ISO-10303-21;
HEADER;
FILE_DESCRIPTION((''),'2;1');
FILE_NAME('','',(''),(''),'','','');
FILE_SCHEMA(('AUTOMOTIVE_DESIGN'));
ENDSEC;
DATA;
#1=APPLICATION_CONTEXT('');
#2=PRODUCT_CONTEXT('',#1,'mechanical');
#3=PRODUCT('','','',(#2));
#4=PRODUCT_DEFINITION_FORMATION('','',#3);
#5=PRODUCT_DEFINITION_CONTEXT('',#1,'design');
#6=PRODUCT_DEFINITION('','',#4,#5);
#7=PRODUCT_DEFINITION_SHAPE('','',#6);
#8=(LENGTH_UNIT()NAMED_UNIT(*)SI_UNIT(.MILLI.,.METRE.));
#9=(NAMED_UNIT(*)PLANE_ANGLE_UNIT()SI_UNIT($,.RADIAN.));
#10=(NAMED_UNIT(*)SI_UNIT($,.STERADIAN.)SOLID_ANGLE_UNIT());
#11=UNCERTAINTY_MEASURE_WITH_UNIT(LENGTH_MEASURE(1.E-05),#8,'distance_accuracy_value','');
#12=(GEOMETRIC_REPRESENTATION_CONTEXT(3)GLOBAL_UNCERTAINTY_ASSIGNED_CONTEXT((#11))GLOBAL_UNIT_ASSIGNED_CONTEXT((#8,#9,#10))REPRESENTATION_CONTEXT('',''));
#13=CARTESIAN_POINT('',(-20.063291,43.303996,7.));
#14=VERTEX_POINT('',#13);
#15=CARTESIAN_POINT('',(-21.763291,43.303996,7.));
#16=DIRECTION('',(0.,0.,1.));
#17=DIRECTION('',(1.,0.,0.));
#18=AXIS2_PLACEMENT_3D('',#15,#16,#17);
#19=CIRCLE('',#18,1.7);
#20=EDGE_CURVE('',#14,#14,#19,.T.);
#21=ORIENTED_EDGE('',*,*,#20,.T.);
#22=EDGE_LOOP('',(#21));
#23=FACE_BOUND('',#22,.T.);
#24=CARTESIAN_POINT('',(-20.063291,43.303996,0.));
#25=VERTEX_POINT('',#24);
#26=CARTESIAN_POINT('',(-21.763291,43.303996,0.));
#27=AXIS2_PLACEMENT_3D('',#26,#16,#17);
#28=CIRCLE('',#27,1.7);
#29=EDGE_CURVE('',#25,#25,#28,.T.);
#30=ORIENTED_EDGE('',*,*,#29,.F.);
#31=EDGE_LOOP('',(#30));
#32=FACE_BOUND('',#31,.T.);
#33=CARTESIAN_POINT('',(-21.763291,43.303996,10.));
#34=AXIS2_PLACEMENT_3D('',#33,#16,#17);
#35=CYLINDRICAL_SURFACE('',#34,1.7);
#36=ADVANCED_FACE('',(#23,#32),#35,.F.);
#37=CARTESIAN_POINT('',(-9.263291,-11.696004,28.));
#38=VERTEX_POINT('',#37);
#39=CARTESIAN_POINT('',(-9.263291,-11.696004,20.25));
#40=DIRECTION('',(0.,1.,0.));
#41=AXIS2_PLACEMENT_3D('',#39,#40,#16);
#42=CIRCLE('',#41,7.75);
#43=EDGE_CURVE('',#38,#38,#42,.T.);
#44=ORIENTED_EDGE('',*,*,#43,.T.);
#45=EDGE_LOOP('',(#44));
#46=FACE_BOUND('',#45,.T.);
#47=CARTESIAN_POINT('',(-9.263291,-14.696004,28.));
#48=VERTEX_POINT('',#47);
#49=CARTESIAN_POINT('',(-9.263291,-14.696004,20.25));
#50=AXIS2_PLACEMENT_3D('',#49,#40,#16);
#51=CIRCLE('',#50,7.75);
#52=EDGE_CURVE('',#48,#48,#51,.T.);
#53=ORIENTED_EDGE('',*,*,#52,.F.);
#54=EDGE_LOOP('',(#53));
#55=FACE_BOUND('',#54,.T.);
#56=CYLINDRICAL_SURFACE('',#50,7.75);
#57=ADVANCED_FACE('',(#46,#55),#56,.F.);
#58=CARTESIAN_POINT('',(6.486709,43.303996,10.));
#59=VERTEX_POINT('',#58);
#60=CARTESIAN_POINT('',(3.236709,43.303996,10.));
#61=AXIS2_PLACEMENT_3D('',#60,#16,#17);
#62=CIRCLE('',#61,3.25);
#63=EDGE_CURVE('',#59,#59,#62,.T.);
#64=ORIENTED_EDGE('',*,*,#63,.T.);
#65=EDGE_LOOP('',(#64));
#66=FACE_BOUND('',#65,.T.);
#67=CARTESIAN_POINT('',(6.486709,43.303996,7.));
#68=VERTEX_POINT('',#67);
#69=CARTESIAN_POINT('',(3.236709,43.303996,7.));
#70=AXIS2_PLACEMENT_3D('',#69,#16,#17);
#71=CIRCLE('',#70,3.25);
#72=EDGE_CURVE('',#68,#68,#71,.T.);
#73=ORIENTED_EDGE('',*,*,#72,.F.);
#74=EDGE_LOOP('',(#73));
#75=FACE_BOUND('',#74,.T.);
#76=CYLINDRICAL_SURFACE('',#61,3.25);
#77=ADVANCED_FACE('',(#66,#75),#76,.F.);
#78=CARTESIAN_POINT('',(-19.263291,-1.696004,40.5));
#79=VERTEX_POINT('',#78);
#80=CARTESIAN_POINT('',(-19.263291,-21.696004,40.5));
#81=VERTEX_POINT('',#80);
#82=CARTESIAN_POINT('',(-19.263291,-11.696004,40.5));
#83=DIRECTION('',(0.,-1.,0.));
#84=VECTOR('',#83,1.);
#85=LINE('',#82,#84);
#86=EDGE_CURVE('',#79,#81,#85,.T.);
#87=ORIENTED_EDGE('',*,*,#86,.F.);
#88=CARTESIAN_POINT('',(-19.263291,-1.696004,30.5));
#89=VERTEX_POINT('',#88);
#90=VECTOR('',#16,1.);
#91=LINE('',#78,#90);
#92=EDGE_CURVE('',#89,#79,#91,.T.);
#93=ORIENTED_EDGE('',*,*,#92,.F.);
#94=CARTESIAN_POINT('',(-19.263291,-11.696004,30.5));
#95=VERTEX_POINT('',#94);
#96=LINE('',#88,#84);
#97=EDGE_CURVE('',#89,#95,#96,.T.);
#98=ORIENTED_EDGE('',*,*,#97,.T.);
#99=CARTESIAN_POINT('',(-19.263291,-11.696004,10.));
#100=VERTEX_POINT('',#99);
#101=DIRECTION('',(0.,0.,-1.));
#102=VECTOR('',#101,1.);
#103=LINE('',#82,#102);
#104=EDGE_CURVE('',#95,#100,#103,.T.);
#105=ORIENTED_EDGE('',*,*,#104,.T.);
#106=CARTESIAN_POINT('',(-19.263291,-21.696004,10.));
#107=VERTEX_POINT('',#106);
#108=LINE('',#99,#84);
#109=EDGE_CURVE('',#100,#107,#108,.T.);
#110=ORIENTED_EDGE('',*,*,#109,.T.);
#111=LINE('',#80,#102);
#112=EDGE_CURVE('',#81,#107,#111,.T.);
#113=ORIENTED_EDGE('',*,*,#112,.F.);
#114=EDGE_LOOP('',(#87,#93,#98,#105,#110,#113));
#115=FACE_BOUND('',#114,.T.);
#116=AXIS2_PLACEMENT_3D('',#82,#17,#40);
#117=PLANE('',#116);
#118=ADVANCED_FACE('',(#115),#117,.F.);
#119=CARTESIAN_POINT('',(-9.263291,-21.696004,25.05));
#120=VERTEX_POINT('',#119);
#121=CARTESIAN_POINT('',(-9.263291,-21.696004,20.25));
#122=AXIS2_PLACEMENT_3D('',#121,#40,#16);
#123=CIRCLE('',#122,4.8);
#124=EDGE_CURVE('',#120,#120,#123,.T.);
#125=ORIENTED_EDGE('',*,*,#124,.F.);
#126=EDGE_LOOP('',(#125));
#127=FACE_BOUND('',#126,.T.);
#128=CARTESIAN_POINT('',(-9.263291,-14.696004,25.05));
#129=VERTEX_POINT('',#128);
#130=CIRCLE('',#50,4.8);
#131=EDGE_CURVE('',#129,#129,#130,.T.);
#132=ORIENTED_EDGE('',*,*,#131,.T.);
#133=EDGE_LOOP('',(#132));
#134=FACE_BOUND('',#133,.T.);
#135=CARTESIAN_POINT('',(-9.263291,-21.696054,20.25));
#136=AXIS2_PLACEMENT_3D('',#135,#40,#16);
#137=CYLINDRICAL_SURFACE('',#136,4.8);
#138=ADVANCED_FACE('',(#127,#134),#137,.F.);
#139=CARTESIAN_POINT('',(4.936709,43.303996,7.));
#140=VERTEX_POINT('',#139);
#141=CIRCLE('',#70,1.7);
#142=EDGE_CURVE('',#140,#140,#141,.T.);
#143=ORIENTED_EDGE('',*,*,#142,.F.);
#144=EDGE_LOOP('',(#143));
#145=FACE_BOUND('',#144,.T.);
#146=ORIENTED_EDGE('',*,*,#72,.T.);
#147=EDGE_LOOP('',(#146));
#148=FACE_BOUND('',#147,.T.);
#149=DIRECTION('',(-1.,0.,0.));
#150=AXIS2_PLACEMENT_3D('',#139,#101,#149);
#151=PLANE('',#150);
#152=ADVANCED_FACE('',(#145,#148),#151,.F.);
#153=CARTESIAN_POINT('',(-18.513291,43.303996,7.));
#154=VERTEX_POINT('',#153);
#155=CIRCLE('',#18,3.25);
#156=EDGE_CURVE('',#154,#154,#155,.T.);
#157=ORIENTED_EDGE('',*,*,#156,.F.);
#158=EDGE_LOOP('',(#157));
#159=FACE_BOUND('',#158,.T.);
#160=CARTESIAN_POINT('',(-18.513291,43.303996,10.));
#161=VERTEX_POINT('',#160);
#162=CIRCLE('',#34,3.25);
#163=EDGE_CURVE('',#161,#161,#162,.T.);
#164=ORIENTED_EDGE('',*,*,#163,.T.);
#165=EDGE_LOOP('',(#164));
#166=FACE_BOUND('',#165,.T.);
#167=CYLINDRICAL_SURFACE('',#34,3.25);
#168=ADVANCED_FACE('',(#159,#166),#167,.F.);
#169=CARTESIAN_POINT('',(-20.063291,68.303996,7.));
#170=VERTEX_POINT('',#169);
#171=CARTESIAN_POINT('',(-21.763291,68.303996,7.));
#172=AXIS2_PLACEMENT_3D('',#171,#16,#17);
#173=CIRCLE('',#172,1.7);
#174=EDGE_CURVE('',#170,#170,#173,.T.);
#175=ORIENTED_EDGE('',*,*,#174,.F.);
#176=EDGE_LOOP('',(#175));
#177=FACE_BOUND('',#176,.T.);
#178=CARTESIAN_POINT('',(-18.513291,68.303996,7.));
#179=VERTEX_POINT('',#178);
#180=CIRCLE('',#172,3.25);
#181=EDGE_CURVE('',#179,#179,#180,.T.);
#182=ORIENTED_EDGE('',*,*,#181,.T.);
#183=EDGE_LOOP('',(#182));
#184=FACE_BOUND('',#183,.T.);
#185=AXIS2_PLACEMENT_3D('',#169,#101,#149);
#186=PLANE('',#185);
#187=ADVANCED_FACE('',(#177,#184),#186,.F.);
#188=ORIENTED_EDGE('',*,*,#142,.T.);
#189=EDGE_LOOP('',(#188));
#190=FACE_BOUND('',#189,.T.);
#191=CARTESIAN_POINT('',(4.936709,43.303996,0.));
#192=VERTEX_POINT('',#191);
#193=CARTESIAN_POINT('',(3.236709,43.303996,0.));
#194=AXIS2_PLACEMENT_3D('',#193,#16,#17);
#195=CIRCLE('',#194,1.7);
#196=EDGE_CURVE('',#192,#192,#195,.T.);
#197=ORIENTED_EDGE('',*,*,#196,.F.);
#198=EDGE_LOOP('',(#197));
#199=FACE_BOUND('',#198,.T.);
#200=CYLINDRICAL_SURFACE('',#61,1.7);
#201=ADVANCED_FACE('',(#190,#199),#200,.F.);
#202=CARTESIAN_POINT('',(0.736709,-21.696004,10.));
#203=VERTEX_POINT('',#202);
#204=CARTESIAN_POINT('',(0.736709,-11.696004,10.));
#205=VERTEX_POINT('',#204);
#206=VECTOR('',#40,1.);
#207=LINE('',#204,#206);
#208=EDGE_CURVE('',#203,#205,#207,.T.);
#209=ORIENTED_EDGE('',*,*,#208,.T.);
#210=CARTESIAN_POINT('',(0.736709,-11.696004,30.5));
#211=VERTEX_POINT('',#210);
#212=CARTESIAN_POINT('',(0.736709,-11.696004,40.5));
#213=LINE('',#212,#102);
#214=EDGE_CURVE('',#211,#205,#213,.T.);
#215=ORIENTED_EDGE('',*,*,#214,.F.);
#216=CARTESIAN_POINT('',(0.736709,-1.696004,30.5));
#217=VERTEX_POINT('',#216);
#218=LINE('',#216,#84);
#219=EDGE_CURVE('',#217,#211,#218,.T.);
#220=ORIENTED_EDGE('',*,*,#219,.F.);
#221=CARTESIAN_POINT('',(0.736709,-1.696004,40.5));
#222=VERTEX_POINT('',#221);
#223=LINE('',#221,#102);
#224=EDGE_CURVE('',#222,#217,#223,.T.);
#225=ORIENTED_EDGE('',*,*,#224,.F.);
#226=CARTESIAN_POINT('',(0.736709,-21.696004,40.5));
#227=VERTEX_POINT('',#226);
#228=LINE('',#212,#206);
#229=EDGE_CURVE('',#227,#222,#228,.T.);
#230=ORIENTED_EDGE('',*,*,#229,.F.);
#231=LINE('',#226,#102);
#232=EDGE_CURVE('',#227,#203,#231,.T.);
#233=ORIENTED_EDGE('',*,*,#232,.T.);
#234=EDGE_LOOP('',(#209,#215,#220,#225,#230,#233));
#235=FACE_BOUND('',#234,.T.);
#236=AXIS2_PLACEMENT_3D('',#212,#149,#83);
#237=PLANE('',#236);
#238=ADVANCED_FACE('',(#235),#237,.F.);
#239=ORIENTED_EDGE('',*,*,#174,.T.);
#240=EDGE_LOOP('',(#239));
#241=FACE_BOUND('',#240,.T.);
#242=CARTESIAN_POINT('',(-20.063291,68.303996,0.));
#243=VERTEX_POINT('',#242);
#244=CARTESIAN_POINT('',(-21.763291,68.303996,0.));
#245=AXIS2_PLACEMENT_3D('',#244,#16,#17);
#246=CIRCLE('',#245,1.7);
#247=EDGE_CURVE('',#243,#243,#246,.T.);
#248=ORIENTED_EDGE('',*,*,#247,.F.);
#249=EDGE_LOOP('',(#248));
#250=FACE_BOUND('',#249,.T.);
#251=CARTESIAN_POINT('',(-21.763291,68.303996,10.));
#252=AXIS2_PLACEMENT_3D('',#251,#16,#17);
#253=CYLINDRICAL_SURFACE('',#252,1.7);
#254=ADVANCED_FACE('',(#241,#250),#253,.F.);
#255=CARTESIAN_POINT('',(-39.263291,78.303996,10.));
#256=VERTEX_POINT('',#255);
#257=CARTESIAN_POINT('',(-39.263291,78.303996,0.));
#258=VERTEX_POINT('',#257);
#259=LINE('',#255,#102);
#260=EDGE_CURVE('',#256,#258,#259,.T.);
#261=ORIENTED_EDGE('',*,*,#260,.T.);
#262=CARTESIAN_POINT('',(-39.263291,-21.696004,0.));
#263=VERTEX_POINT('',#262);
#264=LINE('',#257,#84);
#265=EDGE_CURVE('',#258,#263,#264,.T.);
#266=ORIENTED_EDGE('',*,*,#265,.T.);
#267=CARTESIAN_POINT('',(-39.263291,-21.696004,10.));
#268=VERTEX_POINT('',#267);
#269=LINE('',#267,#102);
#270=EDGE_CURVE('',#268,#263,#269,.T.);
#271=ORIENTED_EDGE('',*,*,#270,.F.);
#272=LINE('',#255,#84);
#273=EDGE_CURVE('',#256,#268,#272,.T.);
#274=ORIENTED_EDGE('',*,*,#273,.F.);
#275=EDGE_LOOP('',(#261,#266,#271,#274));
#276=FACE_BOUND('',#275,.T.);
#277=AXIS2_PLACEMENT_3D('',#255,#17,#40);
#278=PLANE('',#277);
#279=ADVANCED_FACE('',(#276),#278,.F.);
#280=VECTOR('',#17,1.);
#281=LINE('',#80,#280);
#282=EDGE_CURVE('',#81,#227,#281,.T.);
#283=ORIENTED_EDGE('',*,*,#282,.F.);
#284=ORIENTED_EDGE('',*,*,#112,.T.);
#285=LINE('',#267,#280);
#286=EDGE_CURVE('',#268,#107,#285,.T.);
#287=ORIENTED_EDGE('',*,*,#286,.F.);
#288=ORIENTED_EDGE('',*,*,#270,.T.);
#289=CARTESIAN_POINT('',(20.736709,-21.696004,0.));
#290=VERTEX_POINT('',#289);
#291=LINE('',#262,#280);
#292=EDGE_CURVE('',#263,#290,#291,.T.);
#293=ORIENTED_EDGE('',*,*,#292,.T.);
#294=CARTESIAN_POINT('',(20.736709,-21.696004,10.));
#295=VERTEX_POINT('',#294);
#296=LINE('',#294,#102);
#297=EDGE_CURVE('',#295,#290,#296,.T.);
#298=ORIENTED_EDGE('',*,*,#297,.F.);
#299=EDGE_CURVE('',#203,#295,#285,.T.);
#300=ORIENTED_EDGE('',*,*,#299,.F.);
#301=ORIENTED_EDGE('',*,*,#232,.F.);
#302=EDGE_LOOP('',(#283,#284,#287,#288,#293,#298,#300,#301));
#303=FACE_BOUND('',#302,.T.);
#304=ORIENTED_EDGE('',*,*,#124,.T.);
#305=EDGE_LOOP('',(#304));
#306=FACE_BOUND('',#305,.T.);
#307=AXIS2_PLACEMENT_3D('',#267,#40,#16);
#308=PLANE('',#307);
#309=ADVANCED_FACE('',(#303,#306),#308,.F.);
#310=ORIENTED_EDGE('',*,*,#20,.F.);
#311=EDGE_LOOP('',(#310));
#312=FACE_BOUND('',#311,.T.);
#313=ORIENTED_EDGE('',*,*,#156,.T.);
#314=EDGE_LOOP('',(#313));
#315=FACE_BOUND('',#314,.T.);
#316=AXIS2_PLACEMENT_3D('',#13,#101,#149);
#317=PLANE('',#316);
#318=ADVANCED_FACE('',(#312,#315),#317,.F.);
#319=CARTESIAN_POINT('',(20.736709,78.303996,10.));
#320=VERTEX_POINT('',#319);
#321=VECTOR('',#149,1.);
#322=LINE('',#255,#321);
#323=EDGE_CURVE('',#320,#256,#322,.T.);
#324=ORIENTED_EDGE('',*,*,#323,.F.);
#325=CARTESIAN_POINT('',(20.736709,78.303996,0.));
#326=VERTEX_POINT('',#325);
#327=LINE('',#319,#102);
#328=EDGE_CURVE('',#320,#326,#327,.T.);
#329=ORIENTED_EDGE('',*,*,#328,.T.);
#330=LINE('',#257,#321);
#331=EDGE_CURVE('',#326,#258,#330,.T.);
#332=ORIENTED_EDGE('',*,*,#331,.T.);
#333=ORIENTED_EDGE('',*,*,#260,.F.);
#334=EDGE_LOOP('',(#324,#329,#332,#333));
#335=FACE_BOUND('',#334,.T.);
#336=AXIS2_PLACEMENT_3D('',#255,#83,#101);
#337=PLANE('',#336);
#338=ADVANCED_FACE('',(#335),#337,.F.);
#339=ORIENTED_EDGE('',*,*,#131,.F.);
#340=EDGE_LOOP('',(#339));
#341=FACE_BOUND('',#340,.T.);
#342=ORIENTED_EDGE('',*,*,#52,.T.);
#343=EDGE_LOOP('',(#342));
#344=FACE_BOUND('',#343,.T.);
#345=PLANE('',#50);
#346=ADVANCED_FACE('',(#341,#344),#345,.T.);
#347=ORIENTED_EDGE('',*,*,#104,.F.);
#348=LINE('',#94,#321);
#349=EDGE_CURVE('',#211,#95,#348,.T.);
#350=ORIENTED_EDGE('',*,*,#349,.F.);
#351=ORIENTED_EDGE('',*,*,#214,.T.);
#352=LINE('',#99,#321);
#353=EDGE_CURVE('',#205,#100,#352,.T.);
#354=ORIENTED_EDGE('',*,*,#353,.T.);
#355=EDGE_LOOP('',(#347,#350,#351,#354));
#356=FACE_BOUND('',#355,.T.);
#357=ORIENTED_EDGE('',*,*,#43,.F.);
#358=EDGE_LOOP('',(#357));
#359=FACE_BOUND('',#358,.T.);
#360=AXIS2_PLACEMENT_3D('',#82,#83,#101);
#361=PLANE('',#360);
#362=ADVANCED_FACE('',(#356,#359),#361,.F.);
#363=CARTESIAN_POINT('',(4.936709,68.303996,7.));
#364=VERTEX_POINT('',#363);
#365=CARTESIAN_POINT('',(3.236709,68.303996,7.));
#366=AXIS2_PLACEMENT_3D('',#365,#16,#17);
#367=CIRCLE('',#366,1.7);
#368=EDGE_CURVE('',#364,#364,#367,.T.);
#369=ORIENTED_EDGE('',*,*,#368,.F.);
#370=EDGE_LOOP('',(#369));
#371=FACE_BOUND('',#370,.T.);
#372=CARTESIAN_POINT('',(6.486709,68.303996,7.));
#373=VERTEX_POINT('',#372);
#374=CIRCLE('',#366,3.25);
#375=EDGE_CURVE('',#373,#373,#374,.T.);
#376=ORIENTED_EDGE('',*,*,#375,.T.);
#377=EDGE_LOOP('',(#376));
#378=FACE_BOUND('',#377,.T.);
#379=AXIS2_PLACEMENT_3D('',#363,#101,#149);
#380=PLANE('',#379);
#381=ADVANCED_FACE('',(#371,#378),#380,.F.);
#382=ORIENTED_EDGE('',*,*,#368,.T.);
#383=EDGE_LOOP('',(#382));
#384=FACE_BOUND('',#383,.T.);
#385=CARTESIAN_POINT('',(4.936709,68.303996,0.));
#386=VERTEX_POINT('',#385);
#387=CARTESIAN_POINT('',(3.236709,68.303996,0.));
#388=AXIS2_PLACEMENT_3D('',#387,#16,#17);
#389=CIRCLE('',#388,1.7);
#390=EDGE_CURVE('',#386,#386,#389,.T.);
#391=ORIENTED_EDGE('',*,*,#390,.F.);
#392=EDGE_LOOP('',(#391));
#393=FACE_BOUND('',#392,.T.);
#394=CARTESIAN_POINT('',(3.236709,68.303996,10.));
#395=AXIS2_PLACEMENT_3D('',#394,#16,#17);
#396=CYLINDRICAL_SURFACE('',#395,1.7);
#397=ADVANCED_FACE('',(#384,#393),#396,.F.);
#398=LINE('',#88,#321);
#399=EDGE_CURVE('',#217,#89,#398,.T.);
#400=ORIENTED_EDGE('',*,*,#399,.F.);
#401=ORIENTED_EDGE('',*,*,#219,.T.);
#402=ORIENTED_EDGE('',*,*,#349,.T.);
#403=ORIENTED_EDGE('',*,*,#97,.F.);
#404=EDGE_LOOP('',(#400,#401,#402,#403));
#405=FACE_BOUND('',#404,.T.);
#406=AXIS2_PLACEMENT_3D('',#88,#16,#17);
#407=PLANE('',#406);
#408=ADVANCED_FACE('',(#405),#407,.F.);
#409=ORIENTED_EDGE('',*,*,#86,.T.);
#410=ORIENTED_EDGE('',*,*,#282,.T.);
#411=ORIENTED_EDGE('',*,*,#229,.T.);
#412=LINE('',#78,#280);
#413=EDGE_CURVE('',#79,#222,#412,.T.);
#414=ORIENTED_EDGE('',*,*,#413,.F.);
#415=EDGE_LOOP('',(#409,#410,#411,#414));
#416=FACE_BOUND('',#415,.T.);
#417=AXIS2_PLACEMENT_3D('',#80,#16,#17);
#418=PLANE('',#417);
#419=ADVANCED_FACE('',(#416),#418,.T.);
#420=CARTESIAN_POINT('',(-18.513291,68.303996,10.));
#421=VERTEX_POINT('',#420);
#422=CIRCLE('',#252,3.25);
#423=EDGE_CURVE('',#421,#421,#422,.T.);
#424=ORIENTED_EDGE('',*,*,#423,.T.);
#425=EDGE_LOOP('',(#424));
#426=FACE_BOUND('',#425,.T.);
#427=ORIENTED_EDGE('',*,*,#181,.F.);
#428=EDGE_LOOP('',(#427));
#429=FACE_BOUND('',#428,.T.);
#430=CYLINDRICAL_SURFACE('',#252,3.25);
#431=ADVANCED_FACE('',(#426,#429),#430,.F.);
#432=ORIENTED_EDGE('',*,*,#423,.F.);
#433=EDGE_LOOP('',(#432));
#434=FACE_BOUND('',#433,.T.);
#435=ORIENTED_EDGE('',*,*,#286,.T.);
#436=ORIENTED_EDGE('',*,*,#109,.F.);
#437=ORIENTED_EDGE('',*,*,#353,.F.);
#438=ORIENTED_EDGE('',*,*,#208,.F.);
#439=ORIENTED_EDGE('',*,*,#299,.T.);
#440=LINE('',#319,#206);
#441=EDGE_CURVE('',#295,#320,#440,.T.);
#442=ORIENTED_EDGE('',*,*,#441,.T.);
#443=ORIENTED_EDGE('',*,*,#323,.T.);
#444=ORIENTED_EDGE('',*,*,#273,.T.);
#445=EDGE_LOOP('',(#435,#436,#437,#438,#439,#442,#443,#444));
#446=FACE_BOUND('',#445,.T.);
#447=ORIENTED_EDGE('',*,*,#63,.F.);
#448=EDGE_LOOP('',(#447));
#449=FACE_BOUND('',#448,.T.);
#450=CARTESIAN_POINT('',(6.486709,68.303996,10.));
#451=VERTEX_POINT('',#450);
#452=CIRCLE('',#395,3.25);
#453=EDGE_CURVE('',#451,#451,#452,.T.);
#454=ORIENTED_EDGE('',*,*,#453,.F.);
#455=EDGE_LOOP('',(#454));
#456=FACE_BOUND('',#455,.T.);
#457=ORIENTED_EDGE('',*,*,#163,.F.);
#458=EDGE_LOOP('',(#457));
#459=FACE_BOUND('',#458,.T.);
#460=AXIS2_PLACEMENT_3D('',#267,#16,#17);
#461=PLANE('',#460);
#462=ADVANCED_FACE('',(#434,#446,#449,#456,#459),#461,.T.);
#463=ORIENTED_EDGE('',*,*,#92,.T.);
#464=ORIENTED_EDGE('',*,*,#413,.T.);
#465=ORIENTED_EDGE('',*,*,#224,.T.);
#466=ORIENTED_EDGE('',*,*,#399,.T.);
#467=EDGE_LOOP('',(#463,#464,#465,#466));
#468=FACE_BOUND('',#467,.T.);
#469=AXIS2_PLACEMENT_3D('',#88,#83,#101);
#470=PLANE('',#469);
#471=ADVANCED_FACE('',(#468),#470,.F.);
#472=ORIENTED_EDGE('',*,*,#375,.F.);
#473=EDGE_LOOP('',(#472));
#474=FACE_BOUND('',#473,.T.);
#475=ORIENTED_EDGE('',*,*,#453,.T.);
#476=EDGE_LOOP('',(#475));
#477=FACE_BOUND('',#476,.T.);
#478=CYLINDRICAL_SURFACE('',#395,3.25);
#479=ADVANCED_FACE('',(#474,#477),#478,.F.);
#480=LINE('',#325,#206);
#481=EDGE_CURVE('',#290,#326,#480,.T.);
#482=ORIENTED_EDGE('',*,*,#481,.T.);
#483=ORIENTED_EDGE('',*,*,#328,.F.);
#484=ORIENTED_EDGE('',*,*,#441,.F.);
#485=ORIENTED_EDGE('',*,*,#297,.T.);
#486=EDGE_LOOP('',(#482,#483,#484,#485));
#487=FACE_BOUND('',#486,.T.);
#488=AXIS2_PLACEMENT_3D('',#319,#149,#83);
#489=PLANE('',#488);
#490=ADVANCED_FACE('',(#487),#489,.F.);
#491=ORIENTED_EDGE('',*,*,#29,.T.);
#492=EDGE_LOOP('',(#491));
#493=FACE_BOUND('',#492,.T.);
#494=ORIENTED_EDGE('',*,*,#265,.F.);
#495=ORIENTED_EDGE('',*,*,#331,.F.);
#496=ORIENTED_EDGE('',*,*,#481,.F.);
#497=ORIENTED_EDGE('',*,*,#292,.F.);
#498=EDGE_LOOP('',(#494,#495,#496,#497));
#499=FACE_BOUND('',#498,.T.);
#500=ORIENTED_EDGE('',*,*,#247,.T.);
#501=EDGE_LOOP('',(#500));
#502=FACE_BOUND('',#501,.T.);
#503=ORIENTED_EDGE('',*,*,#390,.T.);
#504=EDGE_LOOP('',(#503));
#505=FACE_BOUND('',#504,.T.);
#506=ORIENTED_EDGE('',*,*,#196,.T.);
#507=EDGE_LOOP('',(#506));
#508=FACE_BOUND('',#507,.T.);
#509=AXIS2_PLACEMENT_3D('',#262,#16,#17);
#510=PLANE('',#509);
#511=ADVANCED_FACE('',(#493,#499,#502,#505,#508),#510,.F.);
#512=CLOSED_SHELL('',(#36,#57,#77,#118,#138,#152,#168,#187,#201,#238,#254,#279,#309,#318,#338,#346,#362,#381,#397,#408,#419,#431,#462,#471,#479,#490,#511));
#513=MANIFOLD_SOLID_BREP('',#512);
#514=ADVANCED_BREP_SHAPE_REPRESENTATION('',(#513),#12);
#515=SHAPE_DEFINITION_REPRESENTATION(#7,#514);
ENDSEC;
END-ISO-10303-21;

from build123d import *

# Parameters (mm, degrees)
SKETCH1_W                      = 60
SKETCH1_H                      = 100
EXTRUDE1_DEPTH                 = 10
SKETCH2_W                      = 20
SKETCH2_H                      = 10
EXTRUDE2_DEPTH                 = 30.5
SKETCH4_W                      = 20
SKETCH4_H                      = 10
EXTRUDE3_DEPTH                 = 10
SKETCH5_R                      = 7.75
CUT_EXTRUDE1_DEPTH             = 3
SKETCH6_R                      = 4.8
CUT_EXTRUDE2_DEPTH             = 109.769738684
CBORE_FOR_M3_SHCS1_D           = 3.4
CBORE_FOR_M3_SHCS1_CBORE_D     = 6.5
CBORE_FOR_M3_SHCS1_CBORE_DEPTH = 3


with BuildPart() as part:
    # Sketch1 → Extrude1 (new body)
    with BuildSketch(Plane.XY):
        with Locations((-9.263291422, 28.303995668)):
            Rectangle(SKETCH1_W, SKETCH1_H)
    extrude(amount=EXTRUDE1_DEPTH)

    # Sketch2 → Extrude2 (add)
    with BuildSketch(Plane.XY.offset(10)):
        with Locations((-9.263291422, -16.696004332)):
            Rectangle(SKETCH2_W, SKETCH2_H)
    extrude(amount=EXTRUDE2_DEPTH)

    # Sketch4 → Extrude3 (add)
    with BuildSketch(Plane(origin=(0, -11.696004332, 0), x_dir=(1, 0, 0), z_dir=(0, 1, 0))):
        with Locations((-9.263291422, -35.5)):
            Rectangle(SKETCH4_W, SKETCH4_H)
    extrude(amount=EXTRUDE3_DEPTH)

    # Sketch5 → Cut-Extrude1 (cut)
    with BuildSketch(Plane(origin=(0, -11.696004332, 0), x_dir=(1, 0, 0), z_dir=(0, 1, 0))):
        with Locations(Location((-9.263291422, -20.25, 0), (0, 0, 270))):
            Circle(SKETCH5_R)
    extrude(amount=-CUT_EXTRUDE1_DEPTH, mode=Mode.SUBTRACT)

    # Sketch6 → Cut-Extrude2 (cut, through all)
    with BuildSketch(Plane(origin=(0, -14.696004332, 0), x_dir=(1, 0, 0), z_dir=(0, 1, 0))):
        with Locations(Location((-9.263291422, -20.25, 0), (0, 0, 270))):
            Circle(SKETCH6_R)
    extrude(amount=-CUT_EXTRUDE2_DEPTH, mode=Mode.SUBTRACT)

    # CBORE for M3 SHCS1 (through all)
    with Locations(Plane(origin=(-21.763291422, 68.303995668, 10), x_dir=(1, 0, 0), z_dir=(0, 0, 1))):
        with Locations((0, 0), (0, -25), (25, 0), (25, -25)):
            CounterBoreHole(CBORE_FOR_M3_SHCS1_D / 2, CBORE_FOR_M3_SHCS1_CBORE_D / 2, CBORE_FOR_M3_SHCS1_CBORE_DEPTH)


solid = part.part
